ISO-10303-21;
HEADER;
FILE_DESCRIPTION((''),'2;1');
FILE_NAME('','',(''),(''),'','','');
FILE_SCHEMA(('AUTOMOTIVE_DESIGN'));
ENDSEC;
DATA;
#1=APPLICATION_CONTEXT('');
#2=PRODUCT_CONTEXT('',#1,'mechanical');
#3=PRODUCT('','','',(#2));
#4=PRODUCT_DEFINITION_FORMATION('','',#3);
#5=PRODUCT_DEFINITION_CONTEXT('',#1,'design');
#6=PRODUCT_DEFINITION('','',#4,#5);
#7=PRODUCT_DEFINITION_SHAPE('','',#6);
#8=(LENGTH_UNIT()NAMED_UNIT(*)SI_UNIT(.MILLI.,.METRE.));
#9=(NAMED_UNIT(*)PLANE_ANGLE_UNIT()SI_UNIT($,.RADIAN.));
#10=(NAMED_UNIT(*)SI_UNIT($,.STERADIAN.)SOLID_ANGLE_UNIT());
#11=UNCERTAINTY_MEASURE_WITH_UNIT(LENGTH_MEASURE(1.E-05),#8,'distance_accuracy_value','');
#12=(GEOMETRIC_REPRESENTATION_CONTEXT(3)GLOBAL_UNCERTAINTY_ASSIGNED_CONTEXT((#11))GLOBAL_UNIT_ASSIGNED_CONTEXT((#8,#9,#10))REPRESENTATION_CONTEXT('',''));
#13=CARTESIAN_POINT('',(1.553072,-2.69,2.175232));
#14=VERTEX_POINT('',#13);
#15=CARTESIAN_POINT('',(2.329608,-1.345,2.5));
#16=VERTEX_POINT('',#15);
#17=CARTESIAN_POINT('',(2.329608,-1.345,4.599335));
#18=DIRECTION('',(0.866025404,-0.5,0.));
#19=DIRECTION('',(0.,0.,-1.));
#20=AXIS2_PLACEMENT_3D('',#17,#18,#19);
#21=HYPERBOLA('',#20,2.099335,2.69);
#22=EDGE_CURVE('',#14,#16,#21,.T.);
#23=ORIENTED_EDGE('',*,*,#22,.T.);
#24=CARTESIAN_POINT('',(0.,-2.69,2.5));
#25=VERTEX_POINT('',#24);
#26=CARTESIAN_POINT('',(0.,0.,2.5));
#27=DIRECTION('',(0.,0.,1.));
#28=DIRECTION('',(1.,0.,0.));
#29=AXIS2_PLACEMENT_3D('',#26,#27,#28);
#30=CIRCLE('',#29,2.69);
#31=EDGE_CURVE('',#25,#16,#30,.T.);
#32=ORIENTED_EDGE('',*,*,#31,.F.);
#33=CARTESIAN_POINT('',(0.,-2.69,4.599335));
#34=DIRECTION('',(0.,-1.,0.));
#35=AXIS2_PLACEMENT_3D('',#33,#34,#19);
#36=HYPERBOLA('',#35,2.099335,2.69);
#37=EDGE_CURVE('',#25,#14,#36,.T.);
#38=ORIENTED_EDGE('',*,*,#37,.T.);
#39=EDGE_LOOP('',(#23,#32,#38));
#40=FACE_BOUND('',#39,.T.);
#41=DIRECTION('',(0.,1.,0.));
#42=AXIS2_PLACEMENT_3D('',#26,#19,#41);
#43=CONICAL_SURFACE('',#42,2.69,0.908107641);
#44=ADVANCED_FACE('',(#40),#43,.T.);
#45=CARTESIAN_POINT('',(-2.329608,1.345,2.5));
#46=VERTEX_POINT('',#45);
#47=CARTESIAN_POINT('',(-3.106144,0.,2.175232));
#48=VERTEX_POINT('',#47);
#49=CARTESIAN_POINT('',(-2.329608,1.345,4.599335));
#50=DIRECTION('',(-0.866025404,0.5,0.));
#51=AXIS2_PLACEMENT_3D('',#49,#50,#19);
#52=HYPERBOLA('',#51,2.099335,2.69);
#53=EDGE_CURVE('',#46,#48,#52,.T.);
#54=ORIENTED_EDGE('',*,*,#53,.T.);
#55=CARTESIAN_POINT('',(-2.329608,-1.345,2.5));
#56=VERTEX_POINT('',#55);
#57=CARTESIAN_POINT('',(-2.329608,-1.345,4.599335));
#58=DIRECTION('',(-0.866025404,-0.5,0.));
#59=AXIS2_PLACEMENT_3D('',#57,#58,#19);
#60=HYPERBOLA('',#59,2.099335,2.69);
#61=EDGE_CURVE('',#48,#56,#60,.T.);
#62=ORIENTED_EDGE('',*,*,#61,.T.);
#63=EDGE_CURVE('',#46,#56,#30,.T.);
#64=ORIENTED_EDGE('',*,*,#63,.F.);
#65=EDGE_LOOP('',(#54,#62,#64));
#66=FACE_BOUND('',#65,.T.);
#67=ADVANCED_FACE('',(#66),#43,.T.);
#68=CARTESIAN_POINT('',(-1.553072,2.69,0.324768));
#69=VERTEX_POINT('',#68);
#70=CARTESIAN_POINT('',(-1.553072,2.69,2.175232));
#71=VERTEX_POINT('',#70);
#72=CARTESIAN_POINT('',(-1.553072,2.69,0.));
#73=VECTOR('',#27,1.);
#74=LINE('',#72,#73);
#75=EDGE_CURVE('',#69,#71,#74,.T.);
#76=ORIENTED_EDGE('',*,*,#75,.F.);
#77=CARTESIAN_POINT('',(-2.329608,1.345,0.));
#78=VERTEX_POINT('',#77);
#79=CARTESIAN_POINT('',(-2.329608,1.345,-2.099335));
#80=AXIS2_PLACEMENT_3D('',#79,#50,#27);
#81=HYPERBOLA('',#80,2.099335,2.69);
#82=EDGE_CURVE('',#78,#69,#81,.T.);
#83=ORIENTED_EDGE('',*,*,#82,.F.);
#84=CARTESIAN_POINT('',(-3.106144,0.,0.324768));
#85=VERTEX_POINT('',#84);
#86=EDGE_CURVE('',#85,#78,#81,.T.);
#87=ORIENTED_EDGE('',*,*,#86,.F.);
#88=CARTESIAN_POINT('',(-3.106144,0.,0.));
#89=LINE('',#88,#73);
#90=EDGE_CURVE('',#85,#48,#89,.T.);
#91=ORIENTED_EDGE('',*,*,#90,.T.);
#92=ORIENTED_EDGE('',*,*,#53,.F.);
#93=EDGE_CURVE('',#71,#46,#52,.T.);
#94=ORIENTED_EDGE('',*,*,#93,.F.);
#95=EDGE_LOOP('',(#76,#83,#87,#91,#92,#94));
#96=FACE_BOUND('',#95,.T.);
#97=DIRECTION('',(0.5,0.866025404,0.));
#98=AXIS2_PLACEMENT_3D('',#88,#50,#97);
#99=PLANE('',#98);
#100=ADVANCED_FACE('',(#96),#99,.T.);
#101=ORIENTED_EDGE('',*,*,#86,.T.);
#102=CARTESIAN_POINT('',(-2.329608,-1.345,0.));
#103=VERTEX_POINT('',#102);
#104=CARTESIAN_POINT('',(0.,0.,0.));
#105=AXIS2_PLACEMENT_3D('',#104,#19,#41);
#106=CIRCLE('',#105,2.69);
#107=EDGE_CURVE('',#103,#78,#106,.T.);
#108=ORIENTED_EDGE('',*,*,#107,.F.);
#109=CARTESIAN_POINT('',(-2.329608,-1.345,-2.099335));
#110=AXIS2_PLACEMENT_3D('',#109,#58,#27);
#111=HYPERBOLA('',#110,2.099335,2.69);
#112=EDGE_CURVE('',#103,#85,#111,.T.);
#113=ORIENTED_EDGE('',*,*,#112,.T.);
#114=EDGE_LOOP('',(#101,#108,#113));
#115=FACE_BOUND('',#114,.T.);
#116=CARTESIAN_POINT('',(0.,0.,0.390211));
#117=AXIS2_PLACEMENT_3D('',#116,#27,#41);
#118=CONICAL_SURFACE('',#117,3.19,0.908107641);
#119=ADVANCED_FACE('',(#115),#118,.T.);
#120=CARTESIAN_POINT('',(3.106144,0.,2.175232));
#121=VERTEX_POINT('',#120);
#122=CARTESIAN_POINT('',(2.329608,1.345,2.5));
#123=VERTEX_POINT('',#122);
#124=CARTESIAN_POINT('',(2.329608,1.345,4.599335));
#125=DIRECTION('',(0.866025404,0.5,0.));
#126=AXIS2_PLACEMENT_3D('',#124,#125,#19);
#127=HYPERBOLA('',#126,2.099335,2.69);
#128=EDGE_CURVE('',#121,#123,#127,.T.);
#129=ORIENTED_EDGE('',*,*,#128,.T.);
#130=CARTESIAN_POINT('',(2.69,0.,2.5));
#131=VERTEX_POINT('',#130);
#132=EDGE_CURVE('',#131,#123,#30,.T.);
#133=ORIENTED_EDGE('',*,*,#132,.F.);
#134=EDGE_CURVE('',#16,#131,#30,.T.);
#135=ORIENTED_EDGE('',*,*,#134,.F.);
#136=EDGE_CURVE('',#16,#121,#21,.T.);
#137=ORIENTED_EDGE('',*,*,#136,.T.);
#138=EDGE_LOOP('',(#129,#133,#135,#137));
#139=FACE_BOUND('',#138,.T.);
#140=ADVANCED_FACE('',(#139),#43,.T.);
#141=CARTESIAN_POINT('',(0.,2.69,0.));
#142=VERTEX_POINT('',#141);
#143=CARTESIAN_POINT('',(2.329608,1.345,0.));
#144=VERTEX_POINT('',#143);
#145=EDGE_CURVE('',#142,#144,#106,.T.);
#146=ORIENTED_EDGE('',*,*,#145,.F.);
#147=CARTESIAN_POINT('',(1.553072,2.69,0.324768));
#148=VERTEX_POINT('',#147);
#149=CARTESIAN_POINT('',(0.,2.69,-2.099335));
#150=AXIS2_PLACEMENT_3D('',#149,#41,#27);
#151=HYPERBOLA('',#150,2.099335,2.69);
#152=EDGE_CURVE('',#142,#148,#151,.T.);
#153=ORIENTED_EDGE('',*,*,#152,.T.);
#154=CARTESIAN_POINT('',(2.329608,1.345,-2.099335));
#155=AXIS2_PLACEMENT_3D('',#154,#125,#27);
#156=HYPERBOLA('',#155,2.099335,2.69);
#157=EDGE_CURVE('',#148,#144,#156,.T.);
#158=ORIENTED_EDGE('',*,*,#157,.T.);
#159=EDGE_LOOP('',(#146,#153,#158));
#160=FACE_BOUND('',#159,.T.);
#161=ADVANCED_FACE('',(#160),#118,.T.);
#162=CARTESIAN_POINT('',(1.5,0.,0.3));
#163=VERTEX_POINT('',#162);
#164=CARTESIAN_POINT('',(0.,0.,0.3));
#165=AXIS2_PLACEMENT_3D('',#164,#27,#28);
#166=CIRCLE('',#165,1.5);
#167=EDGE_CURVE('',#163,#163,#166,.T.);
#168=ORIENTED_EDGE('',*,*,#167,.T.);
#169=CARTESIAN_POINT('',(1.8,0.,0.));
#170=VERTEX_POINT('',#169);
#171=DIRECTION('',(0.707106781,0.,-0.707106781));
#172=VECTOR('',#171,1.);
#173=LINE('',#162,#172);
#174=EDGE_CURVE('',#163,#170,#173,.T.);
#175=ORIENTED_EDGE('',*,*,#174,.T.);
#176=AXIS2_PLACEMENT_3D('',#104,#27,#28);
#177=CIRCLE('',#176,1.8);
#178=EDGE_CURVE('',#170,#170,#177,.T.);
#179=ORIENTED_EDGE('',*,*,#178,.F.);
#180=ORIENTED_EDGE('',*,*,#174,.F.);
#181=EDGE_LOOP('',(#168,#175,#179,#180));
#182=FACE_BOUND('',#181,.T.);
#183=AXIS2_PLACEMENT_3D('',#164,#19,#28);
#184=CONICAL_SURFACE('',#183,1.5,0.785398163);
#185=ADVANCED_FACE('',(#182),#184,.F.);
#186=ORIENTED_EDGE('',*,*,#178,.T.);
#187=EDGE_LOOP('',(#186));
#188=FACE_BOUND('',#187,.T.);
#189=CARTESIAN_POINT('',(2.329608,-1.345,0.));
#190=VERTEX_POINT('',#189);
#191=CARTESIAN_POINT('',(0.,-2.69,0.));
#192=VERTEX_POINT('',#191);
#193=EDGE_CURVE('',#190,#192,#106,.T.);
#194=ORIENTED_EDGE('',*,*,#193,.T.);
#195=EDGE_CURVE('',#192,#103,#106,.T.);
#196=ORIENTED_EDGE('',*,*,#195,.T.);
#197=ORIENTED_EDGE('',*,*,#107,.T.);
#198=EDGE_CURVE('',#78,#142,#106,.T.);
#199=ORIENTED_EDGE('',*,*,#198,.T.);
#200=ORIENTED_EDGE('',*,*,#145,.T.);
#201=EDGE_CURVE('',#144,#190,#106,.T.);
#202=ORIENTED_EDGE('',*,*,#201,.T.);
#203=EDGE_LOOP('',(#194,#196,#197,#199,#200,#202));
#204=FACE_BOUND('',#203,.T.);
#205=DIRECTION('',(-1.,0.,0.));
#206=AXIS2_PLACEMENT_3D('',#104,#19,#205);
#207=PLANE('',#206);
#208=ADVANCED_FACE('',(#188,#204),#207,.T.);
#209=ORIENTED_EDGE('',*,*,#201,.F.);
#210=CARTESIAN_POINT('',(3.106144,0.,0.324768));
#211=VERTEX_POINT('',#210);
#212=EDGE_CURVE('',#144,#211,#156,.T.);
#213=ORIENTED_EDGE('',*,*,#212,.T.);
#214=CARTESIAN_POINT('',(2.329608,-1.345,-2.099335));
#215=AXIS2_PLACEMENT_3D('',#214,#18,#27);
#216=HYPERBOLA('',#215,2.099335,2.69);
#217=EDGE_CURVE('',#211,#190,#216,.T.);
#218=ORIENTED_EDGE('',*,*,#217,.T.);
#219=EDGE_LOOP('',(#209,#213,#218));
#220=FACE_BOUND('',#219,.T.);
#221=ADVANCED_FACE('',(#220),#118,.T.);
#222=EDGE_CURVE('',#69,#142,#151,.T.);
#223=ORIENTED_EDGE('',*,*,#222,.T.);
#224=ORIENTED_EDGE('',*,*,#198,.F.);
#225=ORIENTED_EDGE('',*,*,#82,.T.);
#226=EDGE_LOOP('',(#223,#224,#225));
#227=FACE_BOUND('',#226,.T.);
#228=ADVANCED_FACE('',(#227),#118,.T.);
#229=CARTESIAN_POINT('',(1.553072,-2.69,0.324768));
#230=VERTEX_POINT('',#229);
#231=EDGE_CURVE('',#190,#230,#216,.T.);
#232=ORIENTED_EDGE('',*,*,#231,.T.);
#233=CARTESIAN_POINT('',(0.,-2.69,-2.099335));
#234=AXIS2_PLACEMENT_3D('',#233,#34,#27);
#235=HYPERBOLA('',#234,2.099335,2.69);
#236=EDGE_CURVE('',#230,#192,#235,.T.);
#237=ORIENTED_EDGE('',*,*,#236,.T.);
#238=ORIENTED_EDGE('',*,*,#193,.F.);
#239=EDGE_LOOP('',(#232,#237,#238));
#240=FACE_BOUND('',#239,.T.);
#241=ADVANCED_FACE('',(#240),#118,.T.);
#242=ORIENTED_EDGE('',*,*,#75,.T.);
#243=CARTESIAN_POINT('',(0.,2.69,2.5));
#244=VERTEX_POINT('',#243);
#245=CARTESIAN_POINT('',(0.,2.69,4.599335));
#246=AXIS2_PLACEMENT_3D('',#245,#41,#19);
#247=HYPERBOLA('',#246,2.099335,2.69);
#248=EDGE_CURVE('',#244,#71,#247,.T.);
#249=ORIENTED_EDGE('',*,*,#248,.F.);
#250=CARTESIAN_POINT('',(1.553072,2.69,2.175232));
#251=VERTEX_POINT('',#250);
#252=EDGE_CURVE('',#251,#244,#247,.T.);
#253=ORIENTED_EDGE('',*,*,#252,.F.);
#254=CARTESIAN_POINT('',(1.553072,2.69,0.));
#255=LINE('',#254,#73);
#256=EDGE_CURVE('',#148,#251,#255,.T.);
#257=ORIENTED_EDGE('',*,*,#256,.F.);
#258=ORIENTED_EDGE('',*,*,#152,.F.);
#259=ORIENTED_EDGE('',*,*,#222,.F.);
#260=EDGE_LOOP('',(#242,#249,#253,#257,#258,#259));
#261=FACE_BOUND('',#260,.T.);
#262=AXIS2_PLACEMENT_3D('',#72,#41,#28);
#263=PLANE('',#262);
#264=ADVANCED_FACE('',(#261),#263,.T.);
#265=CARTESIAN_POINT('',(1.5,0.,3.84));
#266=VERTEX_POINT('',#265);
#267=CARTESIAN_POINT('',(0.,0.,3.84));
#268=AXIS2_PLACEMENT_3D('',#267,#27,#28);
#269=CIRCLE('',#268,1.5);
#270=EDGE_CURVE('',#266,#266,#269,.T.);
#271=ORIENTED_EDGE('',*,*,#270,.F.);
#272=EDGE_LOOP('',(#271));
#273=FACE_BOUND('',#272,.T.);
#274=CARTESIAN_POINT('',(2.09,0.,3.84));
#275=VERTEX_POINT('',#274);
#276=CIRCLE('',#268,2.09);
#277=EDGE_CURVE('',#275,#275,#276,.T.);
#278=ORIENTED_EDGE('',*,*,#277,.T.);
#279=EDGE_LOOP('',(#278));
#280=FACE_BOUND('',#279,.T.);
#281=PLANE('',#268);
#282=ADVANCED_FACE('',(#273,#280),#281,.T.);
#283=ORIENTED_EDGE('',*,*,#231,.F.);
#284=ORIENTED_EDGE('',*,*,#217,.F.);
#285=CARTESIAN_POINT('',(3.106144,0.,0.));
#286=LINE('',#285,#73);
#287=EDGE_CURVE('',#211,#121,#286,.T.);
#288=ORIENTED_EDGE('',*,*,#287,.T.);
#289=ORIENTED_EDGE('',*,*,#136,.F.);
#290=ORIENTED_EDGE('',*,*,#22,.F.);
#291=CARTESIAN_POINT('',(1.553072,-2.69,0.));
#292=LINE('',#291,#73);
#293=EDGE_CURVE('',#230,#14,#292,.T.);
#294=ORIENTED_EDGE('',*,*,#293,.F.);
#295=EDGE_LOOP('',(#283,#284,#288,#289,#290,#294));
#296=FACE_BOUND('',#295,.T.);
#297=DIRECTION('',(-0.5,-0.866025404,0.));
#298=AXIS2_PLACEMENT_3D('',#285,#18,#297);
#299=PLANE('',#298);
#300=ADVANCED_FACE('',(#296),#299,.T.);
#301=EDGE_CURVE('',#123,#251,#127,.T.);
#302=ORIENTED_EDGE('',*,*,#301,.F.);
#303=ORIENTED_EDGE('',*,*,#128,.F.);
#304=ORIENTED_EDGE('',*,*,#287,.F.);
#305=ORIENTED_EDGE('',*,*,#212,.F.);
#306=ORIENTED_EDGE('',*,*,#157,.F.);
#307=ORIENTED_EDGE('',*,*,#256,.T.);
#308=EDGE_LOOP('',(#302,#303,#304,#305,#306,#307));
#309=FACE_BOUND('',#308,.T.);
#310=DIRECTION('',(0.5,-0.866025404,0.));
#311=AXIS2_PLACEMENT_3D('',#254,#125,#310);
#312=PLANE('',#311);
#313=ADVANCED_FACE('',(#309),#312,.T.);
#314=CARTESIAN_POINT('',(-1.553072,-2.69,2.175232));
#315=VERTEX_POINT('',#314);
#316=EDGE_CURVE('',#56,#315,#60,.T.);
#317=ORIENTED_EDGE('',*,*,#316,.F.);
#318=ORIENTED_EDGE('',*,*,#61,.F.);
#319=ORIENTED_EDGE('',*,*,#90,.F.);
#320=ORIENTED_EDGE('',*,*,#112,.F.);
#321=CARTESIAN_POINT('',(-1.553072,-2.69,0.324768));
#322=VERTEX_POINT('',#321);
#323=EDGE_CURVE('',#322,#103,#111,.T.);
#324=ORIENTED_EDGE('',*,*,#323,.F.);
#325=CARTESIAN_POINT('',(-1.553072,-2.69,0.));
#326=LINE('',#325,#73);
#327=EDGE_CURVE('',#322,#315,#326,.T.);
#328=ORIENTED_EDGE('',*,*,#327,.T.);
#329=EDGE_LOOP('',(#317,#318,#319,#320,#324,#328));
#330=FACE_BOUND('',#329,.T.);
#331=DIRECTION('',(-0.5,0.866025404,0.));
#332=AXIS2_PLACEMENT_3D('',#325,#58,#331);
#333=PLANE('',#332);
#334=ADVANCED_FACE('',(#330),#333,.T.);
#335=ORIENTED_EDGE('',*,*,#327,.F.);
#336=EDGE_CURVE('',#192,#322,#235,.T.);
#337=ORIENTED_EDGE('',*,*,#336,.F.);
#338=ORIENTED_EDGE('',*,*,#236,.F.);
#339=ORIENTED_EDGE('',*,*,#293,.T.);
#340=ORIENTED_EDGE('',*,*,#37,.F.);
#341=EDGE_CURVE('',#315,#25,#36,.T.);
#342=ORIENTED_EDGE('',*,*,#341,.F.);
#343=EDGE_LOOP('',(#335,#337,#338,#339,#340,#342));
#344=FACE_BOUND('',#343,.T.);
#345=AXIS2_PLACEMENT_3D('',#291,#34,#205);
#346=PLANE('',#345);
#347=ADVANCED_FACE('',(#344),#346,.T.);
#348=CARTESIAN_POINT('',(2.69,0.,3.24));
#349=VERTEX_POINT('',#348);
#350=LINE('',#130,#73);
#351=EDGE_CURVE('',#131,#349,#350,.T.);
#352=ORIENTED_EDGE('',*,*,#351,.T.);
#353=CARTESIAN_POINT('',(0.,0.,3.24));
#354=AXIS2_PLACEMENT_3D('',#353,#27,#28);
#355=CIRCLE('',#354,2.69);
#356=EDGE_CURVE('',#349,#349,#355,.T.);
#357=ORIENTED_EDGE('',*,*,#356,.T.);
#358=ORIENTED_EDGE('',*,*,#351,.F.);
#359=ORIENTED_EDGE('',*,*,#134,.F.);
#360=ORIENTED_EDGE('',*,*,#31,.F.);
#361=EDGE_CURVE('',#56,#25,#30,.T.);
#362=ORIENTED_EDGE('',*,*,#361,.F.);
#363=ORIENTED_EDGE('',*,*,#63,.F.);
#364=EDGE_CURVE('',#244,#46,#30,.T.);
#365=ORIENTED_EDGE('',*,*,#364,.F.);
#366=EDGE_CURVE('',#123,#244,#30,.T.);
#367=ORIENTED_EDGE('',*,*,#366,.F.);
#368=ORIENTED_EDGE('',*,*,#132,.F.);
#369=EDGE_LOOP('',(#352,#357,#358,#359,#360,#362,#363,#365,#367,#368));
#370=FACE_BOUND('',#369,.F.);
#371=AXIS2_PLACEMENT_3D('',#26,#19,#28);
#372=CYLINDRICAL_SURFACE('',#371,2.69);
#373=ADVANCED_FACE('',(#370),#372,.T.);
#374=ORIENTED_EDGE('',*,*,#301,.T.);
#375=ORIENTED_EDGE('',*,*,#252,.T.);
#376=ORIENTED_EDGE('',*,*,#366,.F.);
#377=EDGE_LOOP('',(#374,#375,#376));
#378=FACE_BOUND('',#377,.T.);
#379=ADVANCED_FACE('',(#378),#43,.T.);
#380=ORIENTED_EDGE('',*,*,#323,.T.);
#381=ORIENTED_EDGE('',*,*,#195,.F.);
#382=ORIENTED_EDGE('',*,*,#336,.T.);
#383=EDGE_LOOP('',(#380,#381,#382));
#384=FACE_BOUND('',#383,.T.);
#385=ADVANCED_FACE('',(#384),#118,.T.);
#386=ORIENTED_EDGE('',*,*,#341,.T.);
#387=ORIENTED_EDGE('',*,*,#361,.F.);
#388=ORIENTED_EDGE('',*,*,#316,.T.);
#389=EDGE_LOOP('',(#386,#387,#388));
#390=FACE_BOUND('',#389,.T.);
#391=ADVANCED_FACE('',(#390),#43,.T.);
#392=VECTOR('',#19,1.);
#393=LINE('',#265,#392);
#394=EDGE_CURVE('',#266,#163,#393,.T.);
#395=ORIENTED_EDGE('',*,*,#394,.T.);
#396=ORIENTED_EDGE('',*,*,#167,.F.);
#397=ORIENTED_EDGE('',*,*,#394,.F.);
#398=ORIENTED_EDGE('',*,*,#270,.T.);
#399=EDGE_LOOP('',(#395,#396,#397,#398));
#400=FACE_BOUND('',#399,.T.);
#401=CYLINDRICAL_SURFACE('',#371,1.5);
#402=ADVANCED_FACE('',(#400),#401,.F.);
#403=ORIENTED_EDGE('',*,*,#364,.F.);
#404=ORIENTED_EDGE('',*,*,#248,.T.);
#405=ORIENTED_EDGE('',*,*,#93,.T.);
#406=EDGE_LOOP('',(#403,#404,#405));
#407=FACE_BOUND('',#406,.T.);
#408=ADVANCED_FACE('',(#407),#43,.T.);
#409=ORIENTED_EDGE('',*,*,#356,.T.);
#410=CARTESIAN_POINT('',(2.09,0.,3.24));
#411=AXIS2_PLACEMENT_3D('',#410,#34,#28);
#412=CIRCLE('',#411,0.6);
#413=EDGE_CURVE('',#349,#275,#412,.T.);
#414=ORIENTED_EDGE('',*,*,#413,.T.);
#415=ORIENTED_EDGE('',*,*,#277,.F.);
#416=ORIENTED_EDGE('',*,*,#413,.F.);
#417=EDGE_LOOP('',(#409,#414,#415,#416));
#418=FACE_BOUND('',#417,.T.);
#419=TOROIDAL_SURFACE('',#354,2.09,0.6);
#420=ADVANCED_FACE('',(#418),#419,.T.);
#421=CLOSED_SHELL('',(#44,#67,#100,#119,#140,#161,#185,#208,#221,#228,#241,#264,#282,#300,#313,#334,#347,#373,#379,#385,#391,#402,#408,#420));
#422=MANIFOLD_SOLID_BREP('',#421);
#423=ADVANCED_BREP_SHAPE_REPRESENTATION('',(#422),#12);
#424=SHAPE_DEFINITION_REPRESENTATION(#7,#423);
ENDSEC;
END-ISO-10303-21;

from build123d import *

# Parameters (mm, degrees)
SKETCH1_R           = 1.5
BOSS_EXTRUDE1_DEPTH = 2.5
SKETCH2_R           = 2.69
SKETCH2_R_2         = 1.5
BOSS_EXTRUDE2_DEPTH = 1.34
FILLET1_R           = 0.6
CHAMFER1_SIZE       = 0.3


with BuildPart() as part:
    # Sketch1 → Boss-Extrude1 (new body)
    with BuildSketch(Plane.XY):
        Polygon((-1.553072224, 2.69), (1.553072224, 2.69), (3.106144448, 0), (1.553072224, -2.69), (-1.553072224, -2.69), (-3.106144448, 0), align=None)
        Circle(SKETCH1_R, mode=Mode.SUBTRACT)
    extrude(amount=BOSS_EXTRUDE1_DEPTH)

    # Sketch2 → Boss-Extrude2 (add)
    with BuildSketch(Plane.XY.offset(2.5)):
        Circle(SKETCH2_R)
        Circle(SKETCH2_R_2, mode=Mode.SUBTRACT)
    extrude(amount=BOSS_EXTRUDE2_DEPTH)

    # Fillet1
    fillet1_edges = [part.edges().sort_by_distance(p)[0] for p in [
        (-2.69, 0, 3.84),
    ]]
    fillet(fillet1_edges, radius=FILLET1_R)

    # Sketch3 → Cut-Revolve1 (revolve, cut)
    with BuildSketch(Plane(origin=(0, 0, 0), x_dir=(0, 0, -1), z_dir=(1, 0, 0))):
        Polygon((-2.5, 2.69), (-2.109788941, 3.19), (-0.390211059, 3.19), (0, 2.69), (0, 3.325081684), (-2.5, 3.325081684), align=None)
    revolve(axis=Axis((0, 0, 0), (0, 0, -1)), mode=Mode.SUBTRACT)

    # Chamfer1
    chamfer1_edges = [part.edges().sort_by_distance(p)[0] for p in [
        (-1.5, 0, 0),
    ]]
    chamfer(chamfer1_edges, length=CHAMFER1_SIZE)


solid = part.part
